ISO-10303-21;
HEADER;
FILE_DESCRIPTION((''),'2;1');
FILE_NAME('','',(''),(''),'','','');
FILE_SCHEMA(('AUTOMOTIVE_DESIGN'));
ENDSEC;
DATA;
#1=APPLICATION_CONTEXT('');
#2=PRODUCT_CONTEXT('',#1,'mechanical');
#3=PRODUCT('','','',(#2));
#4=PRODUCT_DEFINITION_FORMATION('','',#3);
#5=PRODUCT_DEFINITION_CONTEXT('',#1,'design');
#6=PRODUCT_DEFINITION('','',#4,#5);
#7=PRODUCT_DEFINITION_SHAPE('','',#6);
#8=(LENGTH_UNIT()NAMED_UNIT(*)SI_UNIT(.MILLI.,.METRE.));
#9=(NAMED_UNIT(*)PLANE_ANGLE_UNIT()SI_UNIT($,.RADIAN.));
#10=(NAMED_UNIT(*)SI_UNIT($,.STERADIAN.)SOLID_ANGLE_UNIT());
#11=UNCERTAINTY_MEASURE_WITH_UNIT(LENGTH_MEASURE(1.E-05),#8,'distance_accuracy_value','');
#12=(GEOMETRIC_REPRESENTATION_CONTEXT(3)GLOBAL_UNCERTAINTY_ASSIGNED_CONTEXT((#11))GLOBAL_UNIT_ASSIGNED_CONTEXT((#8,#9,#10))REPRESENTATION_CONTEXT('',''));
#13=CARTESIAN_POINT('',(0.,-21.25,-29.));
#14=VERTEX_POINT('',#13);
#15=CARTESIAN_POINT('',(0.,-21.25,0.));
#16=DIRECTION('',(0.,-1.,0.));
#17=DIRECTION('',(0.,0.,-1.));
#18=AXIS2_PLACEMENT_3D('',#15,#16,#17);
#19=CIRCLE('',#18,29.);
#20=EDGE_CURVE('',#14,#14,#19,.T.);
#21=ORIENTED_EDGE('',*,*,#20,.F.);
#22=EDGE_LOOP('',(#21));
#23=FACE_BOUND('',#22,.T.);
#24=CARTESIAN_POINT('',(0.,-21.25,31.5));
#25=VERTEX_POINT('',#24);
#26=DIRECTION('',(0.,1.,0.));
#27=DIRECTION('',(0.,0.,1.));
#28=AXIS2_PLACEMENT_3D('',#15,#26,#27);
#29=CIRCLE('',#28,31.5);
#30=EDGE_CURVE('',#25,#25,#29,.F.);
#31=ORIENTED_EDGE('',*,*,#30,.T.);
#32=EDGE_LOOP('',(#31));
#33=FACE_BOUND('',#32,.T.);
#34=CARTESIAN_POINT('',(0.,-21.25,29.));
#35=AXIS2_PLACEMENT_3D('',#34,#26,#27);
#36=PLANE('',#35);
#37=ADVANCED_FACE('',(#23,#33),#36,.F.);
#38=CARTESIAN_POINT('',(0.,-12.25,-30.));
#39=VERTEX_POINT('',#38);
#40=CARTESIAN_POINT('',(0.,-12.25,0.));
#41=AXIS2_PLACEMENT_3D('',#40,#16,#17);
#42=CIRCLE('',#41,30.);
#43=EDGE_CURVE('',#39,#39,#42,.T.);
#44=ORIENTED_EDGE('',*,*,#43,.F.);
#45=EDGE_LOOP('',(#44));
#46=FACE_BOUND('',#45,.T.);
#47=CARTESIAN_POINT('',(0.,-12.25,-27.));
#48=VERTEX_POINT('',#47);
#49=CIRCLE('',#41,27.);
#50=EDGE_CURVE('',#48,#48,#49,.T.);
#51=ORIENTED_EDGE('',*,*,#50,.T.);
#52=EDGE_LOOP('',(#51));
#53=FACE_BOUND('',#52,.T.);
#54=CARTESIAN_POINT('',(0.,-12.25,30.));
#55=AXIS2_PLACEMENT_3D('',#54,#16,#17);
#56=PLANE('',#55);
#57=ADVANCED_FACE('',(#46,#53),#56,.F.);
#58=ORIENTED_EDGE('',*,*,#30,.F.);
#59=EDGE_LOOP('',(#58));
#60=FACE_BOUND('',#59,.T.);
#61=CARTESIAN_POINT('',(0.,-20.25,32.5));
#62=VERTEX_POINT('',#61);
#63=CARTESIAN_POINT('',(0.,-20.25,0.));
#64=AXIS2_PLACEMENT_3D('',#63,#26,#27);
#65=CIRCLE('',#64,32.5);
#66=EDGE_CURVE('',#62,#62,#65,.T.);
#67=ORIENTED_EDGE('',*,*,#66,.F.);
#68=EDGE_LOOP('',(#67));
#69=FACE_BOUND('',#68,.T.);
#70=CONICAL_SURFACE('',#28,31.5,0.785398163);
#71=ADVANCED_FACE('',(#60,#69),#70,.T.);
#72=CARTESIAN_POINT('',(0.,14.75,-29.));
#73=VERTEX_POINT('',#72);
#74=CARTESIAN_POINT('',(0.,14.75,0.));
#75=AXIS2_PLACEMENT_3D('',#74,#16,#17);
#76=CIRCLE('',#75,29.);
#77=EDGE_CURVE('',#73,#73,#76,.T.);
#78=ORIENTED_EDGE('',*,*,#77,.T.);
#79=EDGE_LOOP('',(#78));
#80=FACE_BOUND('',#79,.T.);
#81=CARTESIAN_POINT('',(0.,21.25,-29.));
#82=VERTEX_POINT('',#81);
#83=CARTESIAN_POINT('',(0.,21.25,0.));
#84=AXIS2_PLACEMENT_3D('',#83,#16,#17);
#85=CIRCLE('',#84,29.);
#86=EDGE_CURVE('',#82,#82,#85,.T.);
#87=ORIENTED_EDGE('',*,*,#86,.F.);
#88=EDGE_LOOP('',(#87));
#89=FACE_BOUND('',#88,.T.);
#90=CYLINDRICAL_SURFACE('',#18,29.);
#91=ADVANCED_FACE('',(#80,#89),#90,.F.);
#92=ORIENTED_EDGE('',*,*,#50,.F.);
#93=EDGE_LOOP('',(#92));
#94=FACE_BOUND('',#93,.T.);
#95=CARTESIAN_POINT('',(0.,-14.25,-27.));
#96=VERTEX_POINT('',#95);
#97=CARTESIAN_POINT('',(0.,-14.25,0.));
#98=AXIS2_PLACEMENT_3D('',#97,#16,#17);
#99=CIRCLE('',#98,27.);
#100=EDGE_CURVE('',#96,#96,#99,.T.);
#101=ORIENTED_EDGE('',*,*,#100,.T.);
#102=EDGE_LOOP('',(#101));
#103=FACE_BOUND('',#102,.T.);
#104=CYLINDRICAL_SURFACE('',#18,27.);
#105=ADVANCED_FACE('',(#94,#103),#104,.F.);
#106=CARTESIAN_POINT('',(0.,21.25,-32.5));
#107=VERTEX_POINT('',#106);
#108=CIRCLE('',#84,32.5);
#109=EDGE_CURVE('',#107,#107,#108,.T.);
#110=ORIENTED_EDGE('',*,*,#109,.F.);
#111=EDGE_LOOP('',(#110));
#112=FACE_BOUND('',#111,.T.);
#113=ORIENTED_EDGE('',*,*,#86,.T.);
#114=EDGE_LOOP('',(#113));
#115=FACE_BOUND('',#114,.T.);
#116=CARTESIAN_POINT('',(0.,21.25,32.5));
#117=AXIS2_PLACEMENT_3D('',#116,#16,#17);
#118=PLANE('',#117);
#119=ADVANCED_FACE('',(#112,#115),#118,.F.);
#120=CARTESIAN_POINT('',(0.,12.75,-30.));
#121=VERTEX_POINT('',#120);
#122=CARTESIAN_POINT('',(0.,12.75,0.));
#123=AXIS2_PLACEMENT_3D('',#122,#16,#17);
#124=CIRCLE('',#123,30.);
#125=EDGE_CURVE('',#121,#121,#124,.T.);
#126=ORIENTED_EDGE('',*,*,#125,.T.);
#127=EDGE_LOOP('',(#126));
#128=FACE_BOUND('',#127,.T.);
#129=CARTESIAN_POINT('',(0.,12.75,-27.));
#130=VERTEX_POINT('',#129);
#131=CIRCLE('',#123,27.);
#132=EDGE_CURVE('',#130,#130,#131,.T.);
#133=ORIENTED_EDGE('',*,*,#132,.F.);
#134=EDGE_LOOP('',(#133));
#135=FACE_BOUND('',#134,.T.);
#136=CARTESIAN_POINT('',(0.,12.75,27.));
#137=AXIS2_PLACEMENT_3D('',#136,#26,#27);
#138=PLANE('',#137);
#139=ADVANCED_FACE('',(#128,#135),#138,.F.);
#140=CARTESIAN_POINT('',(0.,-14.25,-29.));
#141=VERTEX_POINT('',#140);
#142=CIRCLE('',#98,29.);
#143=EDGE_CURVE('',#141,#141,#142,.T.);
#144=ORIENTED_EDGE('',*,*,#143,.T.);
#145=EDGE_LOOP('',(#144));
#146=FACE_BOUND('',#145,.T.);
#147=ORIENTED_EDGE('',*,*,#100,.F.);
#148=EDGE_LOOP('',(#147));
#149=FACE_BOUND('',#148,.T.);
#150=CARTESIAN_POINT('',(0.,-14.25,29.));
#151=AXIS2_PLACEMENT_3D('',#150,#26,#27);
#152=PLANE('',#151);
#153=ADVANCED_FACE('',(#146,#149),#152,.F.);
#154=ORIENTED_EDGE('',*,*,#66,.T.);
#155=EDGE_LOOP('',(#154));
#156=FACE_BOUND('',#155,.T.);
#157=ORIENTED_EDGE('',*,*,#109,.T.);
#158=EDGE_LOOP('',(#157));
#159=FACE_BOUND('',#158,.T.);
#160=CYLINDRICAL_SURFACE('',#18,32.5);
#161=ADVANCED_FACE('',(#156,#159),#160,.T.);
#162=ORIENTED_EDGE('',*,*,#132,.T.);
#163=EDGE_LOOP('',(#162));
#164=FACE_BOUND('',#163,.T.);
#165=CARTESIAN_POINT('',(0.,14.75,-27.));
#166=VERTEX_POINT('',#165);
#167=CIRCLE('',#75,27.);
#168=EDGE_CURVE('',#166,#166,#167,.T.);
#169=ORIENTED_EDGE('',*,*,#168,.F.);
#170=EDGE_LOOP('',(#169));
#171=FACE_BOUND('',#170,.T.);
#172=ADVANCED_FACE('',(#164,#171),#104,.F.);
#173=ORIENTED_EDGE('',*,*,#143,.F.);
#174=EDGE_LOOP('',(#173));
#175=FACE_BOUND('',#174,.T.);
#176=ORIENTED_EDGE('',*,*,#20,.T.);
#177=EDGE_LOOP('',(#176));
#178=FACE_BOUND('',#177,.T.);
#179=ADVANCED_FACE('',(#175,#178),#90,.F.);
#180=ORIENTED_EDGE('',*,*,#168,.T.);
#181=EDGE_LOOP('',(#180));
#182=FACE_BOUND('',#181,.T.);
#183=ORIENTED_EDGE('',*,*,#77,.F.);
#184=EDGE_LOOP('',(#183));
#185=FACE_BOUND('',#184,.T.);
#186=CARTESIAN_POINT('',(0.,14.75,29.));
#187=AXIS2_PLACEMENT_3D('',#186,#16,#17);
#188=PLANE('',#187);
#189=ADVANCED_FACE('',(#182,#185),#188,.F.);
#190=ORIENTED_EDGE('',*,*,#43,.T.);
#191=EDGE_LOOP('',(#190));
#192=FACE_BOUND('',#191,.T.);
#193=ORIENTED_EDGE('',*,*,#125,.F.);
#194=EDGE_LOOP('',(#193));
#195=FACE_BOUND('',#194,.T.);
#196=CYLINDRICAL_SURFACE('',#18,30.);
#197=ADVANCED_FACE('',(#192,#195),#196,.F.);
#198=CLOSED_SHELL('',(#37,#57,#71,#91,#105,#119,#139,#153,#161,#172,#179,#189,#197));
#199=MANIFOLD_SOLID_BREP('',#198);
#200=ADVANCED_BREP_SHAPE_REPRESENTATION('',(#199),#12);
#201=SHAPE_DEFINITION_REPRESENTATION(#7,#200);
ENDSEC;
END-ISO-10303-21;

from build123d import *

# Parameters (mm, degrees)
CHAMFER1_SIZE = 1


with BuildPart() as part:
    # Sketch3 → Revolve2 (revolve)
    with BuildSketch(Plane(origin=(0, 0, 0), x_dir=(0, 0, -1), z_dir=(1, 0, 0))):
        Polygon((-29, -21.25), (-29, -14.25), (-27, -14.25), (-27, -12.25), (-30, -12.25), (-30, 12.75), (-27, 12.75), (-27, 14.75), (-29, 14.75), (-29, 21.25), (-32.5, 21.25), (-32.5, -21.25), align=None)
    revolve(axis=Axis((0, -21.25, 0), (0, 1, 0)))

    # Chamfer1
    chamfer1_edges = [part.edges().sort_by_distance(p)[0] for p in [
        (0, -21.25, -32.5),
    ]]
    chamfer(chamfer1_edges, length=CHAMFER1_SIZE)


solid = part.part
